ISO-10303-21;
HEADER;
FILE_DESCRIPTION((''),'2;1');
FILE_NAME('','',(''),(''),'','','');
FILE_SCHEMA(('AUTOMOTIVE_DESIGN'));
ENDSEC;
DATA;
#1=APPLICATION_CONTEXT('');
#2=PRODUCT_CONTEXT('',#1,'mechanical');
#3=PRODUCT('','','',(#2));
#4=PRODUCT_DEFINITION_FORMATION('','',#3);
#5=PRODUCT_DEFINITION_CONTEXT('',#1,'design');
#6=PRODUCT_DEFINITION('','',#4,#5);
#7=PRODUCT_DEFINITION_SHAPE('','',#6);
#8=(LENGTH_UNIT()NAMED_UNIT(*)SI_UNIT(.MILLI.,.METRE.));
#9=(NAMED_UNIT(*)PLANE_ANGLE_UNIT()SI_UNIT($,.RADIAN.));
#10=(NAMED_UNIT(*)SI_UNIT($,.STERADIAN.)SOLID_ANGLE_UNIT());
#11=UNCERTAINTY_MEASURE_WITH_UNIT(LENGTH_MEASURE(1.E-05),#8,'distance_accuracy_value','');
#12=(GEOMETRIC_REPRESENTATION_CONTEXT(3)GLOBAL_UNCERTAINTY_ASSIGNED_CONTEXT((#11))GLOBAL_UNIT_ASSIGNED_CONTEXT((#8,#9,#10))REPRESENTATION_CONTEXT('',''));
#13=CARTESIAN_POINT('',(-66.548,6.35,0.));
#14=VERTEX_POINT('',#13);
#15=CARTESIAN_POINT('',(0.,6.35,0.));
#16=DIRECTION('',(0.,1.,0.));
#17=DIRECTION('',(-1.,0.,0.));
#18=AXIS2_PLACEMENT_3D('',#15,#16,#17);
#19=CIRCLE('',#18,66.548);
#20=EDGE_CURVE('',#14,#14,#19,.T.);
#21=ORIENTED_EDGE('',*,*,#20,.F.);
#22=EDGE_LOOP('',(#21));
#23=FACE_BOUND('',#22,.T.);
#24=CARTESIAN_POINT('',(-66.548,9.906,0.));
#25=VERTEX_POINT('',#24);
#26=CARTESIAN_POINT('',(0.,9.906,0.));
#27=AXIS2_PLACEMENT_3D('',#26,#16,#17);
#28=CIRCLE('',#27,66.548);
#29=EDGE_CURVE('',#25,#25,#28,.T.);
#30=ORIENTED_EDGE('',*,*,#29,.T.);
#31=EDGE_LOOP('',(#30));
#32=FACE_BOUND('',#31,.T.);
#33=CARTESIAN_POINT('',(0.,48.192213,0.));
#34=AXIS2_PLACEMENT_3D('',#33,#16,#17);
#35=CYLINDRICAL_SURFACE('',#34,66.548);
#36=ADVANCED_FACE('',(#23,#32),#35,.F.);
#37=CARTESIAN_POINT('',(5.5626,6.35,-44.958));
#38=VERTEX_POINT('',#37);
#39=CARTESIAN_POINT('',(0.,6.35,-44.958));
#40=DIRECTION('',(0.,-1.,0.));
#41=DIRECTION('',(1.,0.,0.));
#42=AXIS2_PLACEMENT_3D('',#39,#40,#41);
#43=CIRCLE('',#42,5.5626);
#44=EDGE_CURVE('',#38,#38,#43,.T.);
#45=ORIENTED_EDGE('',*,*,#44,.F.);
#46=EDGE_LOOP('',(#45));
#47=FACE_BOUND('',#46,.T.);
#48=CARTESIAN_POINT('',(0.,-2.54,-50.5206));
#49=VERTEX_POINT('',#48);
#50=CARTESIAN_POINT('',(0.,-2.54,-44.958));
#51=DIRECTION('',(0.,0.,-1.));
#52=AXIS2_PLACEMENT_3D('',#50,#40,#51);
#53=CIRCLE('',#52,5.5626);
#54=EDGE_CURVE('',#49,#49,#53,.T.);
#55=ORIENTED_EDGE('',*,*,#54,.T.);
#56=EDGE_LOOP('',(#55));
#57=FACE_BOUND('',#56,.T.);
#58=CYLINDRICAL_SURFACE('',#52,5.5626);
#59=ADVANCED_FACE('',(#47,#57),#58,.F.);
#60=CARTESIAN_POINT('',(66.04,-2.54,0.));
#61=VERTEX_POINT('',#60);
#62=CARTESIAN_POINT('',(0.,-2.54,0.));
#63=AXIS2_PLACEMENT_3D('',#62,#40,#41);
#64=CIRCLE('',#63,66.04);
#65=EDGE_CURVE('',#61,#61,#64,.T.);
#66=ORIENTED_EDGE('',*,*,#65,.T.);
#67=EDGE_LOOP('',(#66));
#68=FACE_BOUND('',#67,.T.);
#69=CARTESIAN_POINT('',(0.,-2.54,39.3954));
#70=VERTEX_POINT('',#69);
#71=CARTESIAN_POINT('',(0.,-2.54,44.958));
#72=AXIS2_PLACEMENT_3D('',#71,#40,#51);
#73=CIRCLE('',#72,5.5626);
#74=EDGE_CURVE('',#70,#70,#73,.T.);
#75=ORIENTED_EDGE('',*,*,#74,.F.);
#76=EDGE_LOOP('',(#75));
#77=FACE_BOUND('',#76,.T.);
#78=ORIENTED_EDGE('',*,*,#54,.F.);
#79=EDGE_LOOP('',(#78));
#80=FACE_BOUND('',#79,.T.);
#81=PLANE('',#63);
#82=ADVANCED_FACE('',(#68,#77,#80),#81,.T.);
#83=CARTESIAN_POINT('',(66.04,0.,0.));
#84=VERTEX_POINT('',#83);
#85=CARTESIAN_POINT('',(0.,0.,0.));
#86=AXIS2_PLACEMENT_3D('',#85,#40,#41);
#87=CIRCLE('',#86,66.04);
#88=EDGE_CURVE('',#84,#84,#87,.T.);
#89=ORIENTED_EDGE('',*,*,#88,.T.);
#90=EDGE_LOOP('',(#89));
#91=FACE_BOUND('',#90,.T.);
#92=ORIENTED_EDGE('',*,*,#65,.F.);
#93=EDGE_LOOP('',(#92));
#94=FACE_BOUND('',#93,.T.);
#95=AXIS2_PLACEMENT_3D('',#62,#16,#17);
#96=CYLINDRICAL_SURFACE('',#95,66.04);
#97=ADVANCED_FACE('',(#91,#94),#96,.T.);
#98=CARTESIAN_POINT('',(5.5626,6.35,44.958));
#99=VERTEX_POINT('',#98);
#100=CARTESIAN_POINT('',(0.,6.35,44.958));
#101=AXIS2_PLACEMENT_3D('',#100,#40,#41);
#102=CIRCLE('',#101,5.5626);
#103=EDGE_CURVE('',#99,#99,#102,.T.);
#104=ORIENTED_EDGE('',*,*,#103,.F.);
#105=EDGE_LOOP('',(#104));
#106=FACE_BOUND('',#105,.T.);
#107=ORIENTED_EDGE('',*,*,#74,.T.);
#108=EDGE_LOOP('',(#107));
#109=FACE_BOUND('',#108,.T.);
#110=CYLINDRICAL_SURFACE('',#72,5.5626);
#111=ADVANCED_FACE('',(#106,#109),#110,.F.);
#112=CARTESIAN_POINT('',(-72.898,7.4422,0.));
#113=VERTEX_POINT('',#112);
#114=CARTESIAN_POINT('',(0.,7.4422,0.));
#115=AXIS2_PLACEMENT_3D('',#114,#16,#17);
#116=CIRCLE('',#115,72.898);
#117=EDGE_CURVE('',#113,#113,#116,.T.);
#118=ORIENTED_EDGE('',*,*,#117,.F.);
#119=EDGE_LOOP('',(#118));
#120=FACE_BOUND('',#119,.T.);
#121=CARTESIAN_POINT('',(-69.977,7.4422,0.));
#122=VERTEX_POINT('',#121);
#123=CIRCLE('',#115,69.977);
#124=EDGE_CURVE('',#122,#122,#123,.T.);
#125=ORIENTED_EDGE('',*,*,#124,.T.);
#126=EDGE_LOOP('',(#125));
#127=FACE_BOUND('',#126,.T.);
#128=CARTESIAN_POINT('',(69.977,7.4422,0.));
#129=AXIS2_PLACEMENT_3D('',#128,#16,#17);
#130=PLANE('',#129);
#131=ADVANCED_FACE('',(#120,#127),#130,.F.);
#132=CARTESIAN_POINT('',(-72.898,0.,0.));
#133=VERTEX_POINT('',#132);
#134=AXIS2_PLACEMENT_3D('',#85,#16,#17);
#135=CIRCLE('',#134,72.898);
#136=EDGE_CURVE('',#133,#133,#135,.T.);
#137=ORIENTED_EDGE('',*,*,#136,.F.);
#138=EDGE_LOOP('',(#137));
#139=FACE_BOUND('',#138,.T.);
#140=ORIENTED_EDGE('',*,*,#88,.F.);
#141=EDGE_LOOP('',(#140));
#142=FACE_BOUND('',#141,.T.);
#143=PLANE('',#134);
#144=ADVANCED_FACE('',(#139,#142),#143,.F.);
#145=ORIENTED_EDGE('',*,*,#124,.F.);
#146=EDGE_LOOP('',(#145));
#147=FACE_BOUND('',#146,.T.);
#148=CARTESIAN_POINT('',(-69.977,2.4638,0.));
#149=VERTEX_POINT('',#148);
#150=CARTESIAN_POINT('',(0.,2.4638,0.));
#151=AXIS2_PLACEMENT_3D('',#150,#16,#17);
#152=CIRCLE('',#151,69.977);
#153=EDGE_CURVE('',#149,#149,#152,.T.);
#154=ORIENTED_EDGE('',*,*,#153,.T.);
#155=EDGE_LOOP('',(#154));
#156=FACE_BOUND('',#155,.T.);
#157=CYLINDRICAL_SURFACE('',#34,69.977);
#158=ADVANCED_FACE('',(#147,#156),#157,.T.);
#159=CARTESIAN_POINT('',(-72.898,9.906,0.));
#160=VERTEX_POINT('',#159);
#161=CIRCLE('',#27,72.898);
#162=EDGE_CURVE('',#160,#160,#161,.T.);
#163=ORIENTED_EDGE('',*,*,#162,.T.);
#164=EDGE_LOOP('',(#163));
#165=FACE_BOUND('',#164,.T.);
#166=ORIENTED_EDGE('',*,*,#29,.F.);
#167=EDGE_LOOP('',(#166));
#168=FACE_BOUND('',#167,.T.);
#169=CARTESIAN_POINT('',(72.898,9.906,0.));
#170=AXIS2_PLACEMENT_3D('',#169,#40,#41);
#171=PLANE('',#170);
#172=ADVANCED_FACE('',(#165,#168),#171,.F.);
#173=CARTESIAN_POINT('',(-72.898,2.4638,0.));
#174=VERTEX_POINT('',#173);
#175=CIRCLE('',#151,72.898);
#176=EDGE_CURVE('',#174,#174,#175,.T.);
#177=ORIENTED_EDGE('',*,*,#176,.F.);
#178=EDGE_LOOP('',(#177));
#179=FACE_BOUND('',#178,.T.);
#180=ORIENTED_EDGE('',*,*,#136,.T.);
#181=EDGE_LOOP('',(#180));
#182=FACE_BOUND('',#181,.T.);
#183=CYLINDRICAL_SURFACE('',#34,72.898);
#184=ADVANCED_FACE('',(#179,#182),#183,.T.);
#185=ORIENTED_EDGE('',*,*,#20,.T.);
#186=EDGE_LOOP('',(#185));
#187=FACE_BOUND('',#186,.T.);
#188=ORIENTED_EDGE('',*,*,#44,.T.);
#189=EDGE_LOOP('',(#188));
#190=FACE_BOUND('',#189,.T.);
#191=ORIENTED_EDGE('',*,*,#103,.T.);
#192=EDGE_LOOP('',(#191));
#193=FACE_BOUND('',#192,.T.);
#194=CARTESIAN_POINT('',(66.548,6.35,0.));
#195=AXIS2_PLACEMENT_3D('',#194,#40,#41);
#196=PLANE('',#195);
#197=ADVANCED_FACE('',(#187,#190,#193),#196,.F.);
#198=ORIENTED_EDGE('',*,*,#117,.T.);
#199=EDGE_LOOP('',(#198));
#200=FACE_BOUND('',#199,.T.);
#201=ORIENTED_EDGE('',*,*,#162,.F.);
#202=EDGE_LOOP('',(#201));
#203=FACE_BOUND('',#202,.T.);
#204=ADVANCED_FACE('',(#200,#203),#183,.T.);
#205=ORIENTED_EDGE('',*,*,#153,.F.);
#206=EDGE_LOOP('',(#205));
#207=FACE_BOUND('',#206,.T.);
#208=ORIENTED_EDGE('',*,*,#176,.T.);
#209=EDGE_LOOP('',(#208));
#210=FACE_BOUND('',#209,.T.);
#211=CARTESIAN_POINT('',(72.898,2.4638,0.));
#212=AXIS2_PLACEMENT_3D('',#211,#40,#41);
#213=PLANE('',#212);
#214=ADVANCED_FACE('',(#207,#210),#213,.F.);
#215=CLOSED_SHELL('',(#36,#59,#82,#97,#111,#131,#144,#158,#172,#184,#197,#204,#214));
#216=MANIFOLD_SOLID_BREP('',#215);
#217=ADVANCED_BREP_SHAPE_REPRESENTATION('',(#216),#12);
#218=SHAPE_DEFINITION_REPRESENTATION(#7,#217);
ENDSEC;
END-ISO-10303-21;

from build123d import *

# Parameters (mm, degrees)
SKETCH6_R                                = 66.04
BOSS_EXTRUDE1_DEPTH                      = 2.54
PIPE_TAP_DRILL_FOR_1_4_TAP_RELIEF_VALV_D = 11.1252
PIPE_TAP_DRILL_FOR_1_4_TAP_VENT_VALVE_D  = 11.1252


with BuildPart() as part:
    # Sketch1 → Revolve1 (revolve)
    with BuildSketch(Plane.XY, mode=Mode.PRIVATE) as revolve1_sk:
        Polygon((0, 0), (72.898, 0), (72.898, 2.4638), (69.977, 2.4638), (69.977, 7.4422), (72.898, 7.4422), (72.898, 9.906), (66.548, 9.906), (66.548, 6.35), (0, 6.35), align=None)
    revolve(revolve1_sk.sketch.rotate(Axis((0, 48.192213231, 0), (0, -1, 0)), 180), axis=Axis((0, 48.192213231, 0), (0, -1, 0)))

    # Sketch6 → Boss-Extrude1 (add)
    with BuildSketch(Plane.XZ):
        Circle(SKETCH6_R)
    extrude(amount=BOSS_EXTRUDE1_DEPTH)

    # Pipe Tap Drill for 1/4 Tap - Relief Valve (through all)
    with Locations(Plane(origin=(0, -2.54, 0), x_dir=(-1, 0, 0), z_dir=(0, -1, 0))):
        with Locations((0, 44.958)):
            Hole(PIPE_TAP_DRILL_FOR_1_4_TAP_RELIEF_VALV_D / 2)

    # Pipe Tap Drill for 1/4 Tap - Vent Valve (through all)
    with Locations(Plane(origin=(0, -2.54, 0), x_dir=(-1, 0, 0), z_dir=(0, -1, 0))):
        with Locations((0, -44.958)):
            Hole(PIPE_TAP_DRILL_FOR_1_4_TAP_VENT_VALVE_D / 2)


solid = part.part
